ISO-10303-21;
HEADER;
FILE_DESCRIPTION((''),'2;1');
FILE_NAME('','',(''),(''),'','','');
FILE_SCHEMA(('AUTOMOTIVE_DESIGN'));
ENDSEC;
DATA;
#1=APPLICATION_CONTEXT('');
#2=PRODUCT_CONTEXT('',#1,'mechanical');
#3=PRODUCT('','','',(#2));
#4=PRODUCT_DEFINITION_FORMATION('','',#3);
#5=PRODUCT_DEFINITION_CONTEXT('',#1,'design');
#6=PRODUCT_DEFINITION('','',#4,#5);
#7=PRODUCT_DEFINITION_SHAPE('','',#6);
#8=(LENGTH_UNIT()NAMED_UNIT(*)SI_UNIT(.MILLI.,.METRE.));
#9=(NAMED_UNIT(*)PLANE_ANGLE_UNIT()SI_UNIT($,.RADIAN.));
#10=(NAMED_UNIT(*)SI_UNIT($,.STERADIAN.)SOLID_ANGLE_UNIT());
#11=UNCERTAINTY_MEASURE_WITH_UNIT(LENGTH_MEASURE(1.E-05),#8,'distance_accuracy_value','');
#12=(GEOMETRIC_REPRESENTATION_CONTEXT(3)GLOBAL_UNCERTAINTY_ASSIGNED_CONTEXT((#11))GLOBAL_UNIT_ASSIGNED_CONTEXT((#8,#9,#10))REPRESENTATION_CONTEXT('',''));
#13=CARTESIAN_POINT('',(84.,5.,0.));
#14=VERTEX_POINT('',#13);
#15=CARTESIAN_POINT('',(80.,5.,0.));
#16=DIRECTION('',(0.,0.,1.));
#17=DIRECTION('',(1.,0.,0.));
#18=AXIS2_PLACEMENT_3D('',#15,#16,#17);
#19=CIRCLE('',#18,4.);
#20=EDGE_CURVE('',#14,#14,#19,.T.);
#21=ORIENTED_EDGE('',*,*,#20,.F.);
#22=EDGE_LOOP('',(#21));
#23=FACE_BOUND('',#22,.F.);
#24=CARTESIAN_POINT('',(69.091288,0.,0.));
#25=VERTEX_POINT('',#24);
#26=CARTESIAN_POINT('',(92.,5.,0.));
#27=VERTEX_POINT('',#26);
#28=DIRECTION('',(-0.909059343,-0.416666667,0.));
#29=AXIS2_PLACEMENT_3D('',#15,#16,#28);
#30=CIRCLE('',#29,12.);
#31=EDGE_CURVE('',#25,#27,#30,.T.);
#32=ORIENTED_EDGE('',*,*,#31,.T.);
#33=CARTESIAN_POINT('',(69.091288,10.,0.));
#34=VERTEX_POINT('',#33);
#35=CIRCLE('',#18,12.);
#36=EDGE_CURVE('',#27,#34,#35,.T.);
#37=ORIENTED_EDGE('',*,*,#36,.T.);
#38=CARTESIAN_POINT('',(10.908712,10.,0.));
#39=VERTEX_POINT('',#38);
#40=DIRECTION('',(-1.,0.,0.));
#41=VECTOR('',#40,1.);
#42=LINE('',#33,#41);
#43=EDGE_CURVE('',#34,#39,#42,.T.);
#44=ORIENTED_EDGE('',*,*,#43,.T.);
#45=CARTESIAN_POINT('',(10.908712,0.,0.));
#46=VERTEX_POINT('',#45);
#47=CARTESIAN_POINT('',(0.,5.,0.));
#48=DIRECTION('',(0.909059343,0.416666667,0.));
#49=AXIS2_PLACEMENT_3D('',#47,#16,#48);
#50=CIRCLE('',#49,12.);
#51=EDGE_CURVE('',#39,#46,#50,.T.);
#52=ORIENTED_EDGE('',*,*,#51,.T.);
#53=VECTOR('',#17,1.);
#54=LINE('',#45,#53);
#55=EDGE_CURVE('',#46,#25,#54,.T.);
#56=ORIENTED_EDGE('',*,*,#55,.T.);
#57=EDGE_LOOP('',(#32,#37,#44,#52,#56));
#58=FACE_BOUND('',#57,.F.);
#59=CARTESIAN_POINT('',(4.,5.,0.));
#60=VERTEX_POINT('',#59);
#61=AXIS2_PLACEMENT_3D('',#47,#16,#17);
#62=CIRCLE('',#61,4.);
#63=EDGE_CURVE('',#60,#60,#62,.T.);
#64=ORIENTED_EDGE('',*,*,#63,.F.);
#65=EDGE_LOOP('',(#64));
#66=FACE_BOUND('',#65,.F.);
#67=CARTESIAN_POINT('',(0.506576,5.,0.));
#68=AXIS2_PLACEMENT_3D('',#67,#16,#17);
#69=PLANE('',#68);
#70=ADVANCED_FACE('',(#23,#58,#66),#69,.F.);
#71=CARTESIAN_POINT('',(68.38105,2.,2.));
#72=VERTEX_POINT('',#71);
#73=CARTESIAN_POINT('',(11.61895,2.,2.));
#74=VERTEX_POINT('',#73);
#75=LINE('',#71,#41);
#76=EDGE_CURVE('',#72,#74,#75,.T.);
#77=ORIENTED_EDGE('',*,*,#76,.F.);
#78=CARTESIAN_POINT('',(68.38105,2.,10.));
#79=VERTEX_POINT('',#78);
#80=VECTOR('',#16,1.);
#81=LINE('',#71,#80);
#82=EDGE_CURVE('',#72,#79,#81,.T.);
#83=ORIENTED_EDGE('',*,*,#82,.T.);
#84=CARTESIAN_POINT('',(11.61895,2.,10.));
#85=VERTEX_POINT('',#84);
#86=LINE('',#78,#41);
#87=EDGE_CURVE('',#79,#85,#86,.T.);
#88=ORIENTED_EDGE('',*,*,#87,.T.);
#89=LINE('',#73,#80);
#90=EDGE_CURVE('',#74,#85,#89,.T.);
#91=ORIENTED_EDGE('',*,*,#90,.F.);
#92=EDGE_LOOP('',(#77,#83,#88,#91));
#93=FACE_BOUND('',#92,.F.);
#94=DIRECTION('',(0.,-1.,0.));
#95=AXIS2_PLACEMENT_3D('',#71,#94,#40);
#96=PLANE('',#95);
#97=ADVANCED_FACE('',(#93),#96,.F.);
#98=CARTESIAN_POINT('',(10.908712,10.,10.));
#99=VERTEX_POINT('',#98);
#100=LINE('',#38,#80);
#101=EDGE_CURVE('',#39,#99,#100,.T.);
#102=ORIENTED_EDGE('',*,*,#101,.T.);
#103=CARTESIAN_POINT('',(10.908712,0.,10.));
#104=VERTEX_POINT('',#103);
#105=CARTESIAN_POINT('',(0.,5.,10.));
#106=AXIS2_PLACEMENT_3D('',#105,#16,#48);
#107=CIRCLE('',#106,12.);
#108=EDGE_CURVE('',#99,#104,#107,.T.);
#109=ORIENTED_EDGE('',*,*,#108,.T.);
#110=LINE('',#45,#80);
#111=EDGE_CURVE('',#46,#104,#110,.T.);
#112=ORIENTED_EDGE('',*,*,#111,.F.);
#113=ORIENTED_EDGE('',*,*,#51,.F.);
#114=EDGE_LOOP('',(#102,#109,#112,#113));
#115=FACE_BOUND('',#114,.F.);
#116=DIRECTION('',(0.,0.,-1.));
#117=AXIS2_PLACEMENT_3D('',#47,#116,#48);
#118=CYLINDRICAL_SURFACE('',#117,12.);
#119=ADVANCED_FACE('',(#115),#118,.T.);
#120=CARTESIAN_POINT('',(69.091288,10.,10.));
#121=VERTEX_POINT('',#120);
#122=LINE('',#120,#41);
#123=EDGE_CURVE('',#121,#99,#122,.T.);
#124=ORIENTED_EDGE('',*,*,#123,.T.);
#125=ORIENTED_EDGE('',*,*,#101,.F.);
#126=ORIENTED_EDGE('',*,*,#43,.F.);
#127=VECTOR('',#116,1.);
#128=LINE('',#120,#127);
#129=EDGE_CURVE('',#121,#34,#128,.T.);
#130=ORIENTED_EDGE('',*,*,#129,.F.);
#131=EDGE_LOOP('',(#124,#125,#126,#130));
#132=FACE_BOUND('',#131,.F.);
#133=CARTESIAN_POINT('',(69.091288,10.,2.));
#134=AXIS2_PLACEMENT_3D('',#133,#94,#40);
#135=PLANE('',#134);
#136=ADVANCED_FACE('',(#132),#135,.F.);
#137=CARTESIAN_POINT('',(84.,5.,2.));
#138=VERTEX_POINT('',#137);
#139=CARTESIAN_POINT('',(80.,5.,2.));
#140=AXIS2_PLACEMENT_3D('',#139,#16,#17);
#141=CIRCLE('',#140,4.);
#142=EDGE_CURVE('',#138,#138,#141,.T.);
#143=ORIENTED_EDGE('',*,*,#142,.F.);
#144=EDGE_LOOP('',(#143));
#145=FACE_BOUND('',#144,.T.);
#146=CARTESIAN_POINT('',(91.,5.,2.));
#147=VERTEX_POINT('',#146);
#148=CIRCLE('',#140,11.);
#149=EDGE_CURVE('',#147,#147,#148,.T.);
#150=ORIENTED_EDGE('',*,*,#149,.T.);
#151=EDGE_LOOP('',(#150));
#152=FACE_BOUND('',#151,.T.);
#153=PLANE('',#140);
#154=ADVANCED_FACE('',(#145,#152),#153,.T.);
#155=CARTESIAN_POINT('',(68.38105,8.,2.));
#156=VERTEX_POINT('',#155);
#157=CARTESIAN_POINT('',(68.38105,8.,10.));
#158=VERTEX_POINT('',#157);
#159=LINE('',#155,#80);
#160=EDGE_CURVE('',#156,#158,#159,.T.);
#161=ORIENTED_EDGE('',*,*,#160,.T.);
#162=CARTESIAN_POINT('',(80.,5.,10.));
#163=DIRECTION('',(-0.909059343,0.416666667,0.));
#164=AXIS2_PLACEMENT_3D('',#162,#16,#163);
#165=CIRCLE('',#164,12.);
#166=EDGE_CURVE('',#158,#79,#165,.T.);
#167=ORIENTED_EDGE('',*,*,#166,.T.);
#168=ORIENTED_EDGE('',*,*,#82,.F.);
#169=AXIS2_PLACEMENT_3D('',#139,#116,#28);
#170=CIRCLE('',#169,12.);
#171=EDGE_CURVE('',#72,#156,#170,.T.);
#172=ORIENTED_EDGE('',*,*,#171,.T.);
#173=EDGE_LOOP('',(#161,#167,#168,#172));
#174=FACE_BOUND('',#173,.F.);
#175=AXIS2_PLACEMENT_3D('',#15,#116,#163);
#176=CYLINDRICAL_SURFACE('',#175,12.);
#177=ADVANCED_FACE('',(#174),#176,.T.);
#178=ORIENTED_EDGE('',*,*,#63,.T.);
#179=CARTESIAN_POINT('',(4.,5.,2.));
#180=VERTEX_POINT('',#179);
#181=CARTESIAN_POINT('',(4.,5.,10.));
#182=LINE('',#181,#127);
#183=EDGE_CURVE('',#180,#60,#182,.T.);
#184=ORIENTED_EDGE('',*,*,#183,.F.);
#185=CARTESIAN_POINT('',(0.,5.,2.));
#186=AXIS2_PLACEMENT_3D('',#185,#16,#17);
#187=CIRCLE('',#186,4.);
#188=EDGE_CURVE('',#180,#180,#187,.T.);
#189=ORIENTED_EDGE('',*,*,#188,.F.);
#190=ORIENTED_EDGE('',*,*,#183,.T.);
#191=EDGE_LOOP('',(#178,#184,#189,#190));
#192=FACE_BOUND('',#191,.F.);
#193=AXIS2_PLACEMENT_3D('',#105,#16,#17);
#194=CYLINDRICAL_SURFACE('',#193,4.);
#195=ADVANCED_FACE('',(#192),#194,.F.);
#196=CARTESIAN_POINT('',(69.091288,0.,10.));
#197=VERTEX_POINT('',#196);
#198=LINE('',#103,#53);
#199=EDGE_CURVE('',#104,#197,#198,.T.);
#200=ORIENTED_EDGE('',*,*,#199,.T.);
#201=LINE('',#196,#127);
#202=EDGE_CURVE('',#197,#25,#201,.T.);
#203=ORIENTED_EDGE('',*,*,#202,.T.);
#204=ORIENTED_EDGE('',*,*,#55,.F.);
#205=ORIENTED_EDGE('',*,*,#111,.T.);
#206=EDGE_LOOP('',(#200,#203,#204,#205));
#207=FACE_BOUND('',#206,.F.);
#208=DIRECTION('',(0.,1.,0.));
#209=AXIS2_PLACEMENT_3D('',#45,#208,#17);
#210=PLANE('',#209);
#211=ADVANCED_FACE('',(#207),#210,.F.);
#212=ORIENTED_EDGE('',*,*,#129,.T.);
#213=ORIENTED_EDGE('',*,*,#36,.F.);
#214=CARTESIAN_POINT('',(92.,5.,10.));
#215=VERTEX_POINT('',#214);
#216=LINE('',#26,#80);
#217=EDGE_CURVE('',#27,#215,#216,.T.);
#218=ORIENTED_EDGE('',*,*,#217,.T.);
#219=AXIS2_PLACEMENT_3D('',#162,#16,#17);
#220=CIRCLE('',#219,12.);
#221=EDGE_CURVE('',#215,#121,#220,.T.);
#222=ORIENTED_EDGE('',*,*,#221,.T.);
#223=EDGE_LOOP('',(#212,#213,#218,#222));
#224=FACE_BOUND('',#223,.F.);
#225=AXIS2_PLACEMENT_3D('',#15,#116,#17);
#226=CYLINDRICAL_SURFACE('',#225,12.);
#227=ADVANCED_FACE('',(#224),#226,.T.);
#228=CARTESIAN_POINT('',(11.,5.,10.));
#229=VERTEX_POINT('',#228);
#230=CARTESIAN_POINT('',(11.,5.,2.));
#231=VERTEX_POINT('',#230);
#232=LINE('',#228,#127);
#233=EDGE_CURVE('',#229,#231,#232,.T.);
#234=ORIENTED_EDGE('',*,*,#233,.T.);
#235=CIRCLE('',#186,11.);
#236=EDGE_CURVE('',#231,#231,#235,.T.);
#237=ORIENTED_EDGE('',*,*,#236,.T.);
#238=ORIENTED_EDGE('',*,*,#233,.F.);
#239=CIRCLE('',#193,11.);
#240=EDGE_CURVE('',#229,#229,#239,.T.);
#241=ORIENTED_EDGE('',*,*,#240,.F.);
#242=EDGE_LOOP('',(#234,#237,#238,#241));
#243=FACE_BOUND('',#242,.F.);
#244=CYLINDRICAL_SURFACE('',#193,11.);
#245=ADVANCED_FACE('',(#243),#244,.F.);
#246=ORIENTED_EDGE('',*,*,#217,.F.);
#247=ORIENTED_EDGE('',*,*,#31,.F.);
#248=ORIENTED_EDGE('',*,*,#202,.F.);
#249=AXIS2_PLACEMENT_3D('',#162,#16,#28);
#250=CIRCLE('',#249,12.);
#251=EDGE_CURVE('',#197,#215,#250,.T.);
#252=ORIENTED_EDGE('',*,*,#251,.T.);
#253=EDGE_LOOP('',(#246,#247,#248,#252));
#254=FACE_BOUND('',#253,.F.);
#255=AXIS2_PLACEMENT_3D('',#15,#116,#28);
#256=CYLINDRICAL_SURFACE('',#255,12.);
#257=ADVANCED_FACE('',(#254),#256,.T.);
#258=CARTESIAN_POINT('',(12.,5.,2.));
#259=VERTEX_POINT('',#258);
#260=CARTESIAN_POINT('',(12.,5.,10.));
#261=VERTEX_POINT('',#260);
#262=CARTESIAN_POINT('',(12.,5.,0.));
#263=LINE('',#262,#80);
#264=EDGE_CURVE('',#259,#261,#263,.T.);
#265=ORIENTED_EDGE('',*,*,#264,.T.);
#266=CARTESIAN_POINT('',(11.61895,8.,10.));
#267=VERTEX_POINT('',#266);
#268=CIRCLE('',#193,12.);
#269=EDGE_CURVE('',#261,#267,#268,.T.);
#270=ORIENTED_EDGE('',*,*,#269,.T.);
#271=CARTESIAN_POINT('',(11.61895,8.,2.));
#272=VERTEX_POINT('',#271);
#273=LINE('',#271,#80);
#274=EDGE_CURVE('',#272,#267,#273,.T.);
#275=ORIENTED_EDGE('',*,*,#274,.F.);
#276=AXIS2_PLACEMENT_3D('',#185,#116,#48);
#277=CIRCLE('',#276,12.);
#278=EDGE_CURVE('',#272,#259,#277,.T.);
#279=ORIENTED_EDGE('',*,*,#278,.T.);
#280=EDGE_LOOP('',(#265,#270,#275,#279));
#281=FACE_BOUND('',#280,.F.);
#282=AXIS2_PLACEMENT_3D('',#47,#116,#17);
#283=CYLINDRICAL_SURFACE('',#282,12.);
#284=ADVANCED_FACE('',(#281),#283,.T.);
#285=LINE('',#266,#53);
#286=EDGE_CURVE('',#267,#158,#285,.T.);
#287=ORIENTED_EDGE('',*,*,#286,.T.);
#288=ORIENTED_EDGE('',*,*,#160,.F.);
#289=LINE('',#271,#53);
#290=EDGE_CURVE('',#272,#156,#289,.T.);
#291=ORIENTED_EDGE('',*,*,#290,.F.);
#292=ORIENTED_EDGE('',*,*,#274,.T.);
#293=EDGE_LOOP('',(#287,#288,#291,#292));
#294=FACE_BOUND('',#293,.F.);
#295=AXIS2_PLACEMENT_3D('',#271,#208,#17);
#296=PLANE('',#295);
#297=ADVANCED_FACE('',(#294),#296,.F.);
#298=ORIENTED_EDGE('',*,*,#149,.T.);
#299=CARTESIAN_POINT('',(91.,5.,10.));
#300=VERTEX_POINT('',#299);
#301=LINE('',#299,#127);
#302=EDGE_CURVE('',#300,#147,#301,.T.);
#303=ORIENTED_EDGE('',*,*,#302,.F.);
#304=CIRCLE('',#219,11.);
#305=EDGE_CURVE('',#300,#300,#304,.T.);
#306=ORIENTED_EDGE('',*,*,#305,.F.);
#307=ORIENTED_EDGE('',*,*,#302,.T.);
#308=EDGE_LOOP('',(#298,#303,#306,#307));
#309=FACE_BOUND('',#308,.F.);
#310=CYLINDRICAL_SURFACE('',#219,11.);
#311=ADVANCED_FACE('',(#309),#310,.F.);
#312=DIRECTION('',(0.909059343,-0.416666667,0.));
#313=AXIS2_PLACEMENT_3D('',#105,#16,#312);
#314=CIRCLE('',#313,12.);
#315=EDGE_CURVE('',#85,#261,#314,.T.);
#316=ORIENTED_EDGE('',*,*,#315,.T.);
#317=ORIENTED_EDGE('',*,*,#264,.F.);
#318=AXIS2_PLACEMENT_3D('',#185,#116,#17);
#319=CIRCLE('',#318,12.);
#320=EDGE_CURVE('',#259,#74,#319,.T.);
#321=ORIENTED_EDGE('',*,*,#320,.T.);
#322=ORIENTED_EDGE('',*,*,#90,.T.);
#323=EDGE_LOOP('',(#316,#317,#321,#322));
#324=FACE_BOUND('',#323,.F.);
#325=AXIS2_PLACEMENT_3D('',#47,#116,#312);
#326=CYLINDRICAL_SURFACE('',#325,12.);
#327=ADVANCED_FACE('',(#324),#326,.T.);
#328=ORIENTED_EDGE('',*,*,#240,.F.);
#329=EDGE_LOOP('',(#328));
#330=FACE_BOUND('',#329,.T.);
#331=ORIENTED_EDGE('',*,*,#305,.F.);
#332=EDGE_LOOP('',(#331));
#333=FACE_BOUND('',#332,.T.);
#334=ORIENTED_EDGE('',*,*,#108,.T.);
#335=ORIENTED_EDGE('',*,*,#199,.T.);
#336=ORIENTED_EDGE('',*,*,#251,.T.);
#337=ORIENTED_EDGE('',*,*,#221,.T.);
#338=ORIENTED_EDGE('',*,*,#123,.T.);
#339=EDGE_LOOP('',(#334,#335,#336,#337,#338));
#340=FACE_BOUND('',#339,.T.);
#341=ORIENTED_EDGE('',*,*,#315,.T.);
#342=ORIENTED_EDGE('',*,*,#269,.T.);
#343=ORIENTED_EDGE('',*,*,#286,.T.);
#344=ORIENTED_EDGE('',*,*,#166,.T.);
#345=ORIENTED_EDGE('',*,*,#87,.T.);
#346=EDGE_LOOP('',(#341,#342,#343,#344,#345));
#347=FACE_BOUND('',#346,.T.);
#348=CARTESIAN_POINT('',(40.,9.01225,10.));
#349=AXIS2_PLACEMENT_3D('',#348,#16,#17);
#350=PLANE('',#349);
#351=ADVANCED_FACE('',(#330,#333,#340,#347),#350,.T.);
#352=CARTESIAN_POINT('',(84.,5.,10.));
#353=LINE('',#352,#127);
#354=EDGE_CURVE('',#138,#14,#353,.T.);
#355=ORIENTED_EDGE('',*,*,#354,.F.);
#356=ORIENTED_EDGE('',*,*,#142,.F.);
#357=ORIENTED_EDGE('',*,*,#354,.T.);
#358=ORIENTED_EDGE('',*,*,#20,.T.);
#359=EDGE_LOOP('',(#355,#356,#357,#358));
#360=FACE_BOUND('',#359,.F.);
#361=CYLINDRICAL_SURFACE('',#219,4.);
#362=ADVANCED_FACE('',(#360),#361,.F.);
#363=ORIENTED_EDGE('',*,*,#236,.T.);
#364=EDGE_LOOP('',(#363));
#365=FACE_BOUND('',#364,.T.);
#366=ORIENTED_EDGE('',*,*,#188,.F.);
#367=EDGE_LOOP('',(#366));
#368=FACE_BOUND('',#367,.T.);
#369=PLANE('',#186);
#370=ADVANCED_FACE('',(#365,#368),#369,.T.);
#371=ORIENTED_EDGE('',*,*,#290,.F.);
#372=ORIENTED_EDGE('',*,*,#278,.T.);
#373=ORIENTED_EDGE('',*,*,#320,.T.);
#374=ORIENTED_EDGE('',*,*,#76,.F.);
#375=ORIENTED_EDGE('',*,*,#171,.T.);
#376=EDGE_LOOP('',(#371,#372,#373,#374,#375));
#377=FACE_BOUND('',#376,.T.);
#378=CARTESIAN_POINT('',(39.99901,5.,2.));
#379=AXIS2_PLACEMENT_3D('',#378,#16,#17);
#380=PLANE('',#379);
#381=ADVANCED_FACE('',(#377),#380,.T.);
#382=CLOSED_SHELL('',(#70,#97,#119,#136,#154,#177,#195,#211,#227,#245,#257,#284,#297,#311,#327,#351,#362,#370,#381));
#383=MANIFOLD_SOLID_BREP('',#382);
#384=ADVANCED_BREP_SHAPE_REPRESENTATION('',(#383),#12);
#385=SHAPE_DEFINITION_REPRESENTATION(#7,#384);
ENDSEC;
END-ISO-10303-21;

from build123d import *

# Parameters (mm, degrees)
F1_DEPTH  = 2
F2_DEPTH  = 10
F3_R      = 4
F4_DEPTH  = 10.001
F3_R_2    = 11
F5_DEPTH  = 8
F6_R      = 4
F7_DEPTH  = 10.001
F6_R_2    = 11
F8_DEPTH  = 8
F10_DEPTH = 8


with BuildPart() as f1:
    # F0 (on Top) → F1 (new body)
    with BuildSketch(Plane.XY):
        with BuildLine():
            ThreePointArc((12, 5), (11.7240041235, 2.4411472664), (10.9087121146, 0))
            Line((10.9087121146, 0), (69.0912878854, 0))
            ThreePointArc((69.0912878854, 0), (68, 5), (69.0912878854, 10))
            Line((69.0912878854, 10), (10.9087121146, 10))
            ThreePointArc((10.9087121146, 10), (11.7240041235, 7.5588527336), (12, 5))
        make_face()
    extrude(amount=F1_DEPTH)

    # F0 (on Top) → F2 (join)
    with BuildSketch(Plane.XY):
        with BuildLine():
            Line((10.9087121146, 0), (0, 0))
            Line((0, 0), (0, 10))
            Line((0, 10), (10.9087121146, 10))
            ThreePointArc((10.9087121146, 10), (-12, 5), (10.9087121146, 0))
        make_face()
        with BuildLine():
            ThreePointArc((69.0912878854, 10), (68, 5), (69.0912878854, 0))
            Line((69.0912878854, 0), (80, 0))
            Line((80, 0), (80, 10))
            Line((80, 10), (69.0912878854, 10))
        make_face()
        with BuildLine():
            Line((80, 0), (69.0912878854, 0))
            ThreePointArc((69.0912878854, 0), (82.5588527336, -6.7240041235), (92, 5))
            ThreePointArc((92, 5), (82.5588527336, 16.7240041235), (69.0912878854, 10))
            Line((69.0912878854, 10), (80, 10))
            Line((80, 10), (80, 0))
        make_face()
        with BuildLine():
            Line((0, 10), (0, 0))
            Line((0, 0), (10.9087121146, 0))
            ThreePointArc((10.9087121146, 0), (11.7240041235, 2.4411472664), (12, 5))
            ThreePointArc((12, 5), (11.7240041235, 7.5588527336), (10.9087121146, 10))
            Line((10.9087121146, 10), (0, 10))
        make_face()
    extrude(amount=F2_DEPTH)

    # F3 (on face) → F4 (cut, through all)
    with BuildSketch(Plane.XY.offset(10)):
        with Locations((0, 5)):
            Circle(F3_R)
    extrude(amount=-F4_DEPTH, mode=Mode.SUBTRACT)

    # F3 (on face) → F5 (cut)
    with BuildSketch(Plane.XY.offset(10)):
        with Locations((0, 5)):
            Circle(F3_R_2)
        with Locations((0, 5)):
            Circle(F3_R, mode=Mode.SUBTRACT)
    extrude(amount=-F5_DEPTH, mode=Mode.SUBTRACT)

    # F6 (on face) → F7 (cut, through all)
    with BuildSketch(Plane.XY.offset(10)):
        with Locations((80, 5)):
            Circle(F6_R)
    extrude(amount=-F7_DEPTH, mode=Mode.SUBTRACT)

    # F6 (on face) → F8 (cut)
    with BuildSketch(Plane.XY.offset(10)):
        with Locations((80, 5)):
            Circle(F6_R_2)
        with Locations((80, 5)):
            Circle(F6_R, mode=Mode.SUBTRACT)
    extrude(amount=-F8_DEPTH, mode=Mode.SUBTRACT)

    # F9 (on face) → F10 (join)
    with BuildSketch(Plane.XY.offset(2)):
        with BuildLine():
            ThreePointArc((10.9087121146, 10), (11.3081338214, 9.0157327447), (11.6189500386, 8))
            Line((11.6189500386, 8), (68.3810499614, 8))
            ThreePointArc((68.3810499614, 8), (68.6918661786, 9.0157327447), (69.0912878854, 10))
            Line((69.0912878854, 10), (10.9087121146, 10))
        make_face()
        with BuildLine():
            ThreePointArc((11.6189500386, 2), (11.3081338214, 0.9842672553), (10.9087121146, 0))
            Line((10.9087121146, 0), (69.0912878854, 0))
            ThreePointArc((69.0912878854, 0), (68.6918661786, 0.9842672553), (68.3810499614, 2))
            Line((68.3810499614, 2), (11.6189500386, 2))
        make_face()
    extrude(amount=F10_DEPTH)


solid = f1.part
